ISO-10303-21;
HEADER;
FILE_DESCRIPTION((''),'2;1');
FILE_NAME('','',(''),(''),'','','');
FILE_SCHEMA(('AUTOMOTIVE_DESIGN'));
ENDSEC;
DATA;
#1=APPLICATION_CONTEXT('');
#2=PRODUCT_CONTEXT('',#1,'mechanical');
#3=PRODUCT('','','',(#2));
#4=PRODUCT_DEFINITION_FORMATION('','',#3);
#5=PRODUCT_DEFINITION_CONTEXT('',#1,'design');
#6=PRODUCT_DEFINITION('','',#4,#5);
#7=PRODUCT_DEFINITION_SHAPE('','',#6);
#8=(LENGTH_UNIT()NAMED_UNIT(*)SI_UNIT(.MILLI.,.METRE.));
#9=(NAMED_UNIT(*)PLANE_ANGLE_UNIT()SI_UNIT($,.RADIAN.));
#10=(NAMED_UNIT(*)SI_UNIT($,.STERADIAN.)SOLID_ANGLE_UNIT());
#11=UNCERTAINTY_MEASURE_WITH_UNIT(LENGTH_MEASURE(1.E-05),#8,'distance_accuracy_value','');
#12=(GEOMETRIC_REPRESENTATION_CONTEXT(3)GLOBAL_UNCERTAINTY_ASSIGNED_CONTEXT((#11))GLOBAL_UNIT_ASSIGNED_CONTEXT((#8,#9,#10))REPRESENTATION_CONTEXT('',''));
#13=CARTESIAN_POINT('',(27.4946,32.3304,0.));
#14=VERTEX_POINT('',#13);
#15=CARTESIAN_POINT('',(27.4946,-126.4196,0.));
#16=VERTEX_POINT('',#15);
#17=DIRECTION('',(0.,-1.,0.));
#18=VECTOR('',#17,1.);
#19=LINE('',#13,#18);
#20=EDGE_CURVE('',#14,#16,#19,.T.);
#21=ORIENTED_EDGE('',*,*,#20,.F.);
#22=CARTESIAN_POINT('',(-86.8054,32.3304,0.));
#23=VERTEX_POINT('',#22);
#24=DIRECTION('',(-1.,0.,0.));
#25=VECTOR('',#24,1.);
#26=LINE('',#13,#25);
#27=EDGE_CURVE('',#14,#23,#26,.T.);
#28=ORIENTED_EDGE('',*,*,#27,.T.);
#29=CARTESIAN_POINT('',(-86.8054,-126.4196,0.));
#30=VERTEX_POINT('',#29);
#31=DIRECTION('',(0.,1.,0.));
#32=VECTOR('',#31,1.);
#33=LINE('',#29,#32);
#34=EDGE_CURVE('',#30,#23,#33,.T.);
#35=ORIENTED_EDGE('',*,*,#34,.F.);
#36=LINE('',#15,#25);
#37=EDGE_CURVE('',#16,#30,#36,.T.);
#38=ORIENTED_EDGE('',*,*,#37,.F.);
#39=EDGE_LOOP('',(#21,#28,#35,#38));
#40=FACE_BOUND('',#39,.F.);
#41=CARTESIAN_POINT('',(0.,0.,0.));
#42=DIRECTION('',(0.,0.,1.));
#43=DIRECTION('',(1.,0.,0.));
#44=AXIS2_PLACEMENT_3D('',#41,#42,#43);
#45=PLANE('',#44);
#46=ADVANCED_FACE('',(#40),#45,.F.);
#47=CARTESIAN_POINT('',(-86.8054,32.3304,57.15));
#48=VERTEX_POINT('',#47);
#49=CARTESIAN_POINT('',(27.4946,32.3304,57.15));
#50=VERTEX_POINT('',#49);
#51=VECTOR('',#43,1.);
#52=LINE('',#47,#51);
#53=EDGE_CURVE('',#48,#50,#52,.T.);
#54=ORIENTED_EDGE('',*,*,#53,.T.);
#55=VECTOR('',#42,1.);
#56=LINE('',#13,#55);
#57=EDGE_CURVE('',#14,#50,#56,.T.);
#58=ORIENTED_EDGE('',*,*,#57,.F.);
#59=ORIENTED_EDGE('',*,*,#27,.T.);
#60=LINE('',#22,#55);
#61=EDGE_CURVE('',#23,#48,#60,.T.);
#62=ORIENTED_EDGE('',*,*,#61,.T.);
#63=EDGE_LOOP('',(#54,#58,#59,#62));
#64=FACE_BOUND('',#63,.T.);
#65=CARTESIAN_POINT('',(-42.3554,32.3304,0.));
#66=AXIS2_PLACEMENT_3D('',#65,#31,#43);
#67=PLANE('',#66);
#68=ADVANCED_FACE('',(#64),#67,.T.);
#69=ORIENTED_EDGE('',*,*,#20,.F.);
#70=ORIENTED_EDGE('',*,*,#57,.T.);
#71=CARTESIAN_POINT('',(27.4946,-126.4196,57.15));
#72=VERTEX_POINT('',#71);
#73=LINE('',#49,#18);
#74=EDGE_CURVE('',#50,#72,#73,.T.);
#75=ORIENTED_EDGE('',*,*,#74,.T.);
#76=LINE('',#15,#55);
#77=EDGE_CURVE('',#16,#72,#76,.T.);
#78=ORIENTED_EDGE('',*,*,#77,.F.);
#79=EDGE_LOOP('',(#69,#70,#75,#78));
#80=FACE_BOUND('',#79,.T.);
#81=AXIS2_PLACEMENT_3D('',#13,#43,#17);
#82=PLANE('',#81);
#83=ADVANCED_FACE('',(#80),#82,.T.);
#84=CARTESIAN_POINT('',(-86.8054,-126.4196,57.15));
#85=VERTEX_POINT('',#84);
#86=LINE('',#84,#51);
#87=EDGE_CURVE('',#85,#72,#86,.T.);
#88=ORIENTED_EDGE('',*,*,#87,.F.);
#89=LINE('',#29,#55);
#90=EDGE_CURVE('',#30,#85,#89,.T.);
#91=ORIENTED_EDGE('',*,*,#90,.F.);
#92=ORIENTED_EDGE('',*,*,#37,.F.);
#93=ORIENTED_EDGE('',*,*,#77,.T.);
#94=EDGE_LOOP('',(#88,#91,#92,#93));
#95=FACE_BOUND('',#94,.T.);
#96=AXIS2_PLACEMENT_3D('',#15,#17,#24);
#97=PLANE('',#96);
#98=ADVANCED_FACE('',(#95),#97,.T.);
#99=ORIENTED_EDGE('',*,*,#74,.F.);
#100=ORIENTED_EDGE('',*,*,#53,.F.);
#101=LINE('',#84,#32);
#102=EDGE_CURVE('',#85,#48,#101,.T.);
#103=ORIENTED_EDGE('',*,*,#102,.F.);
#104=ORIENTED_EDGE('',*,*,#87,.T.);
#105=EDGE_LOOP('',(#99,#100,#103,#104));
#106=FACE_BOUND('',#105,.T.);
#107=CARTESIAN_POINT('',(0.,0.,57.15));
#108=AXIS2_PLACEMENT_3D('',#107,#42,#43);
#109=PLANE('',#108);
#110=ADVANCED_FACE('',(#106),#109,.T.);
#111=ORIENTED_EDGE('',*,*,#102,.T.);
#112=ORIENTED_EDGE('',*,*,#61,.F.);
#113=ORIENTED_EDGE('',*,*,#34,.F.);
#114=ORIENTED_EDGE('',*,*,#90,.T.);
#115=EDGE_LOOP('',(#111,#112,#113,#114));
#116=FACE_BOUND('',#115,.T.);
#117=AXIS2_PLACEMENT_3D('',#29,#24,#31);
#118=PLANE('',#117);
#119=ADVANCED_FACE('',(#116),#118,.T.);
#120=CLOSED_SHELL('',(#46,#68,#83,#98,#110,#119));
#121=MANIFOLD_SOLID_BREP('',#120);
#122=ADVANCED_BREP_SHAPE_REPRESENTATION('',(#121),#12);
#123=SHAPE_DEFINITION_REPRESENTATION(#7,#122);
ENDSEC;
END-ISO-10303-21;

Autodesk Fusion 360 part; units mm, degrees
sketch "Sketch1" plane through (0, 0, 0) normal (0, 0, 1) x (1, 0, 0)
  line L0 (-42.3554, 32.3304) -> (27.4946, 32.3304)
  line L1 (27.4946, 32.3304) -> (27.4946, -126.4196)
  line L2 (27.4946, -126.4196) -> (-42.3554, -126.4196)
  line L3 (-42.3554, -126.4196) -> (-42.3554, 32.3304)
  dimension "d1" = 69.85
  dimension "d2" = 158.75
extrude "Extrude1" add sketch "Sketch1" along normal blind 57.15
extrude "Extrude2" add 1 faces at (-42.3554, -20.5862, 38.1) along direction (-1, 0, 0) blind 44.45
